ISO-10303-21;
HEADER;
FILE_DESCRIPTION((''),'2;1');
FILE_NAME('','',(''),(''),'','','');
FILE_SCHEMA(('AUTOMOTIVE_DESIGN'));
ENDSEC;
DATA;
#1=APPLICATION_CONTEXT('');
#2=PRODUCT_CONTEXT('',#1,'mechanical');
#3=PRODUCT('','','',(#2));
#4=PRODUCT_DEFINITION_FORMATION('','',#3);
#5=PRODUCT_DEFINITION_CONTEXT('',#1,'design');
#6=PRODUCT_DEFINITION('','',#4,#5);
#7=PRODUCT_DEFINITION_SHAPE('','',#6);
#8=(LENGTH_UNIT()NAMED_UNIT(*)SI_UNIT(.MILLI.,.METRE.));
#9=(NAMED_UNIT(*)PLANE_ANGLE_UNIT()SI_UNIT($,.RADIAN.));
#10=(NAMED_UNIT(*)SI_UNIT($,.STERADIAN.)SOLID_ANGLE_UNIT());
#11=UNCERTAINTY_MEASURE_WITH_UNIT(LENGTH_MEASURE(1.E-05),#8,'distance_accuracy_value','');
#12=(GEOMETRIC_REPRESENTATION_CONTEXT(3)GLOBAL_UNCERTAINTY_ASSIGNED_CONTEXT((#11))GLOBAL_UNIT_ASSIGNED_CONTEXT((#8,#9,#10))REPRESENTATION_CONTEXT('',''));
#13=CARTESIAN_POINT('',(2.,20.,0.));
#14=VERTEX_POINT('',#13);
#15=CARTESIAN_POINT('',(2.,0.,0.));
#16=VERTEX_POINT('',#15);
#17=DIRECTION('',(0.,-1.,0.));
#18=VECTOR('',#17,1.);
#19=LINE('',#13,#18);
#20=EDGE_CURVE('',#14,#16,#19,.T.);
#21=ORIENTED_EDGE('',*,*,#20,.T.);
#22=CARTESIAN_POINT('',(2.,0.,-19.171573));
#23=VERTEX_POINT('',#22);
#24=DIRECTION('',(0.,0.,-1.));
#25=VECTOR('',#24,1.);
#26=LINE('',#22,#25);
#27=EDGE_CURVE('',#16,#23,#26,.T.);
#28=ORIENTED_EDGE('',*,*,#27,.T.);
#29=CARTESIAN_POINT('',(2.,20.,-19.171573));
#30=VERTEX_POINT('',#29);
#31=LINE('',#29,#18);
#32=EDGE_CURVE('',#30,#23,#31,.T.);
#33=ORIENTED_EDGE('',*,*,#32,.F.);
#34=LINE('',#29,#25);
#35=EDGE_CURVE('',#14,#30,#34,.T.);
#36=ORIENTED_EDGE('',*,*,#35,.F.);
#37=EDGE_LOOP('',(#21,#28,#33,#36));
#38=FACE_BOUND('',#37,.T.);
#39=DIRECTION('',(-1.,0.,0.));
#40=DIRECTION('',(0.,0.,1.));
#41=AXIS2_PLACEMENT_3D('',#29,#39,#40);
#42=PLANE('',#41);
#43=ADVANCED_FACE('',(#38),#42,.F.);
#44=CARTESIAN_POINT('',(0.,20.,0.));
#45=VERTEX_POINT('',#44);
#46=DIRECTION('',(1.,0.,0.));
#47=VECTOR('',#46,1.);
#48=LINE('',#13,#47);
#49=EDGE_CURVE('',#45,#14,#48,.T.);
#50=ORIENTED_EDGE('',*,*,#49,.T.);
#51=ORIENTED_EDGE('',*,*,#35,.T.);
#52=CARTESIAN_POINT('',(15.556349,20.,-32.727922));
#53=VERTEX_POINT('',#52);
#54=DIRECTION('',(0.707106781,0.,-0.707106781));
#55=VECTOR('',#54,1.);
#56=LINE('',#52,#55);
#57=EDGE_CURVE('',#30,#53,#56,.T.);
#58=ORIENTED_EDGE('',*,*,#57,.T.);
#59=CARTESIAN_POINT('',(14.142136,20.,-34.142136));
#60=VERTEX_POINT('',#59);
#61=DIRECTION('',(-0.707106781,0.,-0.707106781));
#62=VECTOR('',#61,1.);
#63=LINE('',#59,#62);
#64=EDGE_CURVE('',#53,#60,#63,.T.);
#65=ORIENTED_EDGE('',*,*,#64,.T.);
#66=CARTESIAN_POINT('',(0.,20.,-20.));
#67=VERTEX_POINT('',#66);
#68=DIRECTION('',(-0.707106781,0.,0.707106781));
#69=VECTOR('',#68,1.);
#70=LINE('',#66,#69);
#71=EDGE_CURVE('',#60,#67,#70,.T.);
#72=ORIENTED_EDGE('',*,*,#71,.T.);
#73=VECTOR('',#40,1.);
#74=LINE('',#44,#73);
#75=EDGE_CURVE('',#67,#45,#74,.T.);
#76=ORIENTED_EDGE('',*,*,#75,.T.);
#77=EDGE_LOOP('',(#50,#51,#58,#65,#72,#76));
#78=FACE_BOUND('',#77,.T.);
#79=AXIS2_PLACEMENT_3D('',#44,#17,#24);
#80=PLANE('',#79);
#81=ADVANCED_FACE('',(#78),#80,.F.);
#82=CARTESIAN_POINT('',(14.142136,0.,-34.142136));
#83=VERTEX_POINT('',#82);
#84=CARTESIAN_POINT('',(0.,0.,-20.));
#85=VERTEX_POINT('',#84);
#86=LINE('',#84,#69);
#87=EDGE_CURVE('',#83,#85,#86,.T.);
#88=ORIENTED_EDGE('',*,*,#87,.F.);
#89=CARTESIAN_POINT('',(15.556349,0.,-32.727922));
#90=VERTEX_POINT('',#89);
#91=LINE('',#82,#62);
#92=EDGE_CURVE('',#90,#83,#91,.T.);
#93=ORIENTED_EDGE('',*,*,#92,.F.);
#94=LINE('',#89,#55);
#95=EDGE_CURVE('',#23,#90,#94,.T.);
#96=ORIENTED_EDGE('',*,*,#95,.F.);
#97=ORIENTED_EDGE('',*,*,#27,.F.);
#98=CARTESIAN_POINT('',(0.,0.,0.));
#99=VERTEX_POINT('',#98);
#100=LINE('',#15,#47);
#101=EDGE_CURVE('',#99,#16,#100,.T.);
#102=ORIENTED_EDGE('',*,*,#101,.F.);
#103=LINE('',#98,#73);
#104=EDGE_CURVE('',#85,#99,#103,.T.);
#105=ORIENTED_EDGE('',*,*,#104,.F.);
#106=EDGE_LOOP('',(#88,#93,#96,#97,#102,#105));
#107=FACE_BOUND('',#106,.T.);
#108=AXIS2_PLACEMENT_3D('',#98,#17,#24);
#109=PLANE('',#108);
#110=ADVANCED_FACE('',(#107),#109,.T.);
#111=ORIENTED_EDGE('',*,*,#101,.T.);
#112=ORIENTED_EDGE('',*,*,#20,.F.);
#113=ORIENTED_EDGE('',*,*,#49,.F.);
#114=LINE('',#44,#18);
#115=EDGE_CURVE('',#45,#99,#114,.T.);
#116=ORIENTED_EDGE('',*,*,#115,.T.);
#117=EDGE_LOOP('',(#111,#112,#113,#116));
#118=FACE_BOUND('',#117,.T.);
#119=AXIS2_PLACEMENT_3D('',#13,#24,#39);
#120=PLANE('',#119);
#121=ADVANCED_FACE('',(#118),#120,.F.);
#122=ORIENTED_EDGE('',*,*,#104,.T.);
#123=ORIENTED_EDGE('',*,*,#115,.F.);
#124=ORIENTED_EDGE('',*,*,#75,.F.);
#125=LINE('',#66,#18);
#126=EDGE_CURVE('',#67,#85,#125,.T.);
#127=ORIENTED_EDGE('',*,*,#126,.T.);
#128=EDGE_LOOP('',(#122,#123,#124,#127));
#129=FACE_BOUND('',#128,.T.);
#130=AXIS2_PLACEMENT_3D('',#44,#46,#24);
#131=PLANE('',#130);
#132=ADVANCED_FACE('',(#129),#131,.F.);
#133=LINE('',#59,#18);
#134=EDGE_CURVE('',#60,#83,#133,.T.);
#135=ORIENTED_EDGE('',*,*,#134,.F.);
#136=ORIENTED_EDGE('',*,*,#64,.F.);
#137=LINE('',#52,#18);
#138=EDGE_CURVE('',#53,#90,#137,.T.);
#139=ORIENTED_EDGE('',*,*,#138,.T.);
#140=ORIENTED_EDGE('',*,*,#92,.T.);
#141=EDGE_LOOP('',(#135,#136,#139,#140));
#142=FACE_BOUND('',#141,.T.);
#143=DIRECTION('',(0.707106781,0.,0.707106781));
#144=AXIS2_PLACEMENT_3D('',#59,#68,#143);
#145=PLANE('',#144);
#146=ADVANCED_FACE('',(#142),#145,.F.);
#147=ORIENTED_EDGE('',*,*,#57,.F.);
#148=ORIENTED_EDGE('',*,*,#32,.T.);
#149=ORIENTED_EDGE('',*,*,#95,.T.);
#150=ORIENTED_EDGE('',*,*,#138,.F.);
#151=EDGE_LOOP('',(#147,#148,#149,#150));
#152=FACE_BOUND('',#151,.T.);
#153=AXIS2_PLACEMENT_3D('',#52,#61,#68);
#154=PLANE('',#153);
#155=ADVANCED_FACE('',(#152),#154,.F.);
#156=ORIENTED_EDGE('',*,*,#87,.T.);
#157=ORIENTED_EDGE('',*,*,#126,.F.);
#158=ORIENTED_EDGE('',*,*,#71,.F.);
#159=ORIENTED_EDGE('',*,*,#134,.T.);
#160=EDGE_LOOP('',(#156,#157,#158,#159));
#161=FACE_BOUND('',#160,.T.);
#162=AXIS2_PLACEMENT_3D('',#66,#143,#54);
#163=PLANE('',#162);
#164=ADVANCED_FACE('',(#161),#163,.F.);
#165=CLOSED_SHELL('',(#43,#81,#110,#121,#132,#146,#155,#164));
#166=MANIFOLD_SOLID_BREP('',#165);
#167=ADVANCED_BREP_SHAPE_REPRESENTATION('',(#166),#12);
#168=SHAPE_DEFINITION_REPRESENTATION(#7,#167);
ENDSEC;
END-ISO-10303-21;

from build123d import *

# Parameters (mm, degrees)
EXTRUSION1_DEPTH = 20


with BuildPart() as part:
    # Esquisse1 → Extrusion1 (new body)
    with BuildSketch(Plane(origin=(0, 0, 0), x_dir=(1, 0, 0), z_dir=(0, 1, 0))):
        Polygon((0, 0), (0, 20), (14.142135624, 34.142135624), (15.556349186, 32.727922061), (2, 19.171572875), (2, 0), align=None)
    extrude(amount=EXTRUSION1_DEPTH)


solid = part.part
